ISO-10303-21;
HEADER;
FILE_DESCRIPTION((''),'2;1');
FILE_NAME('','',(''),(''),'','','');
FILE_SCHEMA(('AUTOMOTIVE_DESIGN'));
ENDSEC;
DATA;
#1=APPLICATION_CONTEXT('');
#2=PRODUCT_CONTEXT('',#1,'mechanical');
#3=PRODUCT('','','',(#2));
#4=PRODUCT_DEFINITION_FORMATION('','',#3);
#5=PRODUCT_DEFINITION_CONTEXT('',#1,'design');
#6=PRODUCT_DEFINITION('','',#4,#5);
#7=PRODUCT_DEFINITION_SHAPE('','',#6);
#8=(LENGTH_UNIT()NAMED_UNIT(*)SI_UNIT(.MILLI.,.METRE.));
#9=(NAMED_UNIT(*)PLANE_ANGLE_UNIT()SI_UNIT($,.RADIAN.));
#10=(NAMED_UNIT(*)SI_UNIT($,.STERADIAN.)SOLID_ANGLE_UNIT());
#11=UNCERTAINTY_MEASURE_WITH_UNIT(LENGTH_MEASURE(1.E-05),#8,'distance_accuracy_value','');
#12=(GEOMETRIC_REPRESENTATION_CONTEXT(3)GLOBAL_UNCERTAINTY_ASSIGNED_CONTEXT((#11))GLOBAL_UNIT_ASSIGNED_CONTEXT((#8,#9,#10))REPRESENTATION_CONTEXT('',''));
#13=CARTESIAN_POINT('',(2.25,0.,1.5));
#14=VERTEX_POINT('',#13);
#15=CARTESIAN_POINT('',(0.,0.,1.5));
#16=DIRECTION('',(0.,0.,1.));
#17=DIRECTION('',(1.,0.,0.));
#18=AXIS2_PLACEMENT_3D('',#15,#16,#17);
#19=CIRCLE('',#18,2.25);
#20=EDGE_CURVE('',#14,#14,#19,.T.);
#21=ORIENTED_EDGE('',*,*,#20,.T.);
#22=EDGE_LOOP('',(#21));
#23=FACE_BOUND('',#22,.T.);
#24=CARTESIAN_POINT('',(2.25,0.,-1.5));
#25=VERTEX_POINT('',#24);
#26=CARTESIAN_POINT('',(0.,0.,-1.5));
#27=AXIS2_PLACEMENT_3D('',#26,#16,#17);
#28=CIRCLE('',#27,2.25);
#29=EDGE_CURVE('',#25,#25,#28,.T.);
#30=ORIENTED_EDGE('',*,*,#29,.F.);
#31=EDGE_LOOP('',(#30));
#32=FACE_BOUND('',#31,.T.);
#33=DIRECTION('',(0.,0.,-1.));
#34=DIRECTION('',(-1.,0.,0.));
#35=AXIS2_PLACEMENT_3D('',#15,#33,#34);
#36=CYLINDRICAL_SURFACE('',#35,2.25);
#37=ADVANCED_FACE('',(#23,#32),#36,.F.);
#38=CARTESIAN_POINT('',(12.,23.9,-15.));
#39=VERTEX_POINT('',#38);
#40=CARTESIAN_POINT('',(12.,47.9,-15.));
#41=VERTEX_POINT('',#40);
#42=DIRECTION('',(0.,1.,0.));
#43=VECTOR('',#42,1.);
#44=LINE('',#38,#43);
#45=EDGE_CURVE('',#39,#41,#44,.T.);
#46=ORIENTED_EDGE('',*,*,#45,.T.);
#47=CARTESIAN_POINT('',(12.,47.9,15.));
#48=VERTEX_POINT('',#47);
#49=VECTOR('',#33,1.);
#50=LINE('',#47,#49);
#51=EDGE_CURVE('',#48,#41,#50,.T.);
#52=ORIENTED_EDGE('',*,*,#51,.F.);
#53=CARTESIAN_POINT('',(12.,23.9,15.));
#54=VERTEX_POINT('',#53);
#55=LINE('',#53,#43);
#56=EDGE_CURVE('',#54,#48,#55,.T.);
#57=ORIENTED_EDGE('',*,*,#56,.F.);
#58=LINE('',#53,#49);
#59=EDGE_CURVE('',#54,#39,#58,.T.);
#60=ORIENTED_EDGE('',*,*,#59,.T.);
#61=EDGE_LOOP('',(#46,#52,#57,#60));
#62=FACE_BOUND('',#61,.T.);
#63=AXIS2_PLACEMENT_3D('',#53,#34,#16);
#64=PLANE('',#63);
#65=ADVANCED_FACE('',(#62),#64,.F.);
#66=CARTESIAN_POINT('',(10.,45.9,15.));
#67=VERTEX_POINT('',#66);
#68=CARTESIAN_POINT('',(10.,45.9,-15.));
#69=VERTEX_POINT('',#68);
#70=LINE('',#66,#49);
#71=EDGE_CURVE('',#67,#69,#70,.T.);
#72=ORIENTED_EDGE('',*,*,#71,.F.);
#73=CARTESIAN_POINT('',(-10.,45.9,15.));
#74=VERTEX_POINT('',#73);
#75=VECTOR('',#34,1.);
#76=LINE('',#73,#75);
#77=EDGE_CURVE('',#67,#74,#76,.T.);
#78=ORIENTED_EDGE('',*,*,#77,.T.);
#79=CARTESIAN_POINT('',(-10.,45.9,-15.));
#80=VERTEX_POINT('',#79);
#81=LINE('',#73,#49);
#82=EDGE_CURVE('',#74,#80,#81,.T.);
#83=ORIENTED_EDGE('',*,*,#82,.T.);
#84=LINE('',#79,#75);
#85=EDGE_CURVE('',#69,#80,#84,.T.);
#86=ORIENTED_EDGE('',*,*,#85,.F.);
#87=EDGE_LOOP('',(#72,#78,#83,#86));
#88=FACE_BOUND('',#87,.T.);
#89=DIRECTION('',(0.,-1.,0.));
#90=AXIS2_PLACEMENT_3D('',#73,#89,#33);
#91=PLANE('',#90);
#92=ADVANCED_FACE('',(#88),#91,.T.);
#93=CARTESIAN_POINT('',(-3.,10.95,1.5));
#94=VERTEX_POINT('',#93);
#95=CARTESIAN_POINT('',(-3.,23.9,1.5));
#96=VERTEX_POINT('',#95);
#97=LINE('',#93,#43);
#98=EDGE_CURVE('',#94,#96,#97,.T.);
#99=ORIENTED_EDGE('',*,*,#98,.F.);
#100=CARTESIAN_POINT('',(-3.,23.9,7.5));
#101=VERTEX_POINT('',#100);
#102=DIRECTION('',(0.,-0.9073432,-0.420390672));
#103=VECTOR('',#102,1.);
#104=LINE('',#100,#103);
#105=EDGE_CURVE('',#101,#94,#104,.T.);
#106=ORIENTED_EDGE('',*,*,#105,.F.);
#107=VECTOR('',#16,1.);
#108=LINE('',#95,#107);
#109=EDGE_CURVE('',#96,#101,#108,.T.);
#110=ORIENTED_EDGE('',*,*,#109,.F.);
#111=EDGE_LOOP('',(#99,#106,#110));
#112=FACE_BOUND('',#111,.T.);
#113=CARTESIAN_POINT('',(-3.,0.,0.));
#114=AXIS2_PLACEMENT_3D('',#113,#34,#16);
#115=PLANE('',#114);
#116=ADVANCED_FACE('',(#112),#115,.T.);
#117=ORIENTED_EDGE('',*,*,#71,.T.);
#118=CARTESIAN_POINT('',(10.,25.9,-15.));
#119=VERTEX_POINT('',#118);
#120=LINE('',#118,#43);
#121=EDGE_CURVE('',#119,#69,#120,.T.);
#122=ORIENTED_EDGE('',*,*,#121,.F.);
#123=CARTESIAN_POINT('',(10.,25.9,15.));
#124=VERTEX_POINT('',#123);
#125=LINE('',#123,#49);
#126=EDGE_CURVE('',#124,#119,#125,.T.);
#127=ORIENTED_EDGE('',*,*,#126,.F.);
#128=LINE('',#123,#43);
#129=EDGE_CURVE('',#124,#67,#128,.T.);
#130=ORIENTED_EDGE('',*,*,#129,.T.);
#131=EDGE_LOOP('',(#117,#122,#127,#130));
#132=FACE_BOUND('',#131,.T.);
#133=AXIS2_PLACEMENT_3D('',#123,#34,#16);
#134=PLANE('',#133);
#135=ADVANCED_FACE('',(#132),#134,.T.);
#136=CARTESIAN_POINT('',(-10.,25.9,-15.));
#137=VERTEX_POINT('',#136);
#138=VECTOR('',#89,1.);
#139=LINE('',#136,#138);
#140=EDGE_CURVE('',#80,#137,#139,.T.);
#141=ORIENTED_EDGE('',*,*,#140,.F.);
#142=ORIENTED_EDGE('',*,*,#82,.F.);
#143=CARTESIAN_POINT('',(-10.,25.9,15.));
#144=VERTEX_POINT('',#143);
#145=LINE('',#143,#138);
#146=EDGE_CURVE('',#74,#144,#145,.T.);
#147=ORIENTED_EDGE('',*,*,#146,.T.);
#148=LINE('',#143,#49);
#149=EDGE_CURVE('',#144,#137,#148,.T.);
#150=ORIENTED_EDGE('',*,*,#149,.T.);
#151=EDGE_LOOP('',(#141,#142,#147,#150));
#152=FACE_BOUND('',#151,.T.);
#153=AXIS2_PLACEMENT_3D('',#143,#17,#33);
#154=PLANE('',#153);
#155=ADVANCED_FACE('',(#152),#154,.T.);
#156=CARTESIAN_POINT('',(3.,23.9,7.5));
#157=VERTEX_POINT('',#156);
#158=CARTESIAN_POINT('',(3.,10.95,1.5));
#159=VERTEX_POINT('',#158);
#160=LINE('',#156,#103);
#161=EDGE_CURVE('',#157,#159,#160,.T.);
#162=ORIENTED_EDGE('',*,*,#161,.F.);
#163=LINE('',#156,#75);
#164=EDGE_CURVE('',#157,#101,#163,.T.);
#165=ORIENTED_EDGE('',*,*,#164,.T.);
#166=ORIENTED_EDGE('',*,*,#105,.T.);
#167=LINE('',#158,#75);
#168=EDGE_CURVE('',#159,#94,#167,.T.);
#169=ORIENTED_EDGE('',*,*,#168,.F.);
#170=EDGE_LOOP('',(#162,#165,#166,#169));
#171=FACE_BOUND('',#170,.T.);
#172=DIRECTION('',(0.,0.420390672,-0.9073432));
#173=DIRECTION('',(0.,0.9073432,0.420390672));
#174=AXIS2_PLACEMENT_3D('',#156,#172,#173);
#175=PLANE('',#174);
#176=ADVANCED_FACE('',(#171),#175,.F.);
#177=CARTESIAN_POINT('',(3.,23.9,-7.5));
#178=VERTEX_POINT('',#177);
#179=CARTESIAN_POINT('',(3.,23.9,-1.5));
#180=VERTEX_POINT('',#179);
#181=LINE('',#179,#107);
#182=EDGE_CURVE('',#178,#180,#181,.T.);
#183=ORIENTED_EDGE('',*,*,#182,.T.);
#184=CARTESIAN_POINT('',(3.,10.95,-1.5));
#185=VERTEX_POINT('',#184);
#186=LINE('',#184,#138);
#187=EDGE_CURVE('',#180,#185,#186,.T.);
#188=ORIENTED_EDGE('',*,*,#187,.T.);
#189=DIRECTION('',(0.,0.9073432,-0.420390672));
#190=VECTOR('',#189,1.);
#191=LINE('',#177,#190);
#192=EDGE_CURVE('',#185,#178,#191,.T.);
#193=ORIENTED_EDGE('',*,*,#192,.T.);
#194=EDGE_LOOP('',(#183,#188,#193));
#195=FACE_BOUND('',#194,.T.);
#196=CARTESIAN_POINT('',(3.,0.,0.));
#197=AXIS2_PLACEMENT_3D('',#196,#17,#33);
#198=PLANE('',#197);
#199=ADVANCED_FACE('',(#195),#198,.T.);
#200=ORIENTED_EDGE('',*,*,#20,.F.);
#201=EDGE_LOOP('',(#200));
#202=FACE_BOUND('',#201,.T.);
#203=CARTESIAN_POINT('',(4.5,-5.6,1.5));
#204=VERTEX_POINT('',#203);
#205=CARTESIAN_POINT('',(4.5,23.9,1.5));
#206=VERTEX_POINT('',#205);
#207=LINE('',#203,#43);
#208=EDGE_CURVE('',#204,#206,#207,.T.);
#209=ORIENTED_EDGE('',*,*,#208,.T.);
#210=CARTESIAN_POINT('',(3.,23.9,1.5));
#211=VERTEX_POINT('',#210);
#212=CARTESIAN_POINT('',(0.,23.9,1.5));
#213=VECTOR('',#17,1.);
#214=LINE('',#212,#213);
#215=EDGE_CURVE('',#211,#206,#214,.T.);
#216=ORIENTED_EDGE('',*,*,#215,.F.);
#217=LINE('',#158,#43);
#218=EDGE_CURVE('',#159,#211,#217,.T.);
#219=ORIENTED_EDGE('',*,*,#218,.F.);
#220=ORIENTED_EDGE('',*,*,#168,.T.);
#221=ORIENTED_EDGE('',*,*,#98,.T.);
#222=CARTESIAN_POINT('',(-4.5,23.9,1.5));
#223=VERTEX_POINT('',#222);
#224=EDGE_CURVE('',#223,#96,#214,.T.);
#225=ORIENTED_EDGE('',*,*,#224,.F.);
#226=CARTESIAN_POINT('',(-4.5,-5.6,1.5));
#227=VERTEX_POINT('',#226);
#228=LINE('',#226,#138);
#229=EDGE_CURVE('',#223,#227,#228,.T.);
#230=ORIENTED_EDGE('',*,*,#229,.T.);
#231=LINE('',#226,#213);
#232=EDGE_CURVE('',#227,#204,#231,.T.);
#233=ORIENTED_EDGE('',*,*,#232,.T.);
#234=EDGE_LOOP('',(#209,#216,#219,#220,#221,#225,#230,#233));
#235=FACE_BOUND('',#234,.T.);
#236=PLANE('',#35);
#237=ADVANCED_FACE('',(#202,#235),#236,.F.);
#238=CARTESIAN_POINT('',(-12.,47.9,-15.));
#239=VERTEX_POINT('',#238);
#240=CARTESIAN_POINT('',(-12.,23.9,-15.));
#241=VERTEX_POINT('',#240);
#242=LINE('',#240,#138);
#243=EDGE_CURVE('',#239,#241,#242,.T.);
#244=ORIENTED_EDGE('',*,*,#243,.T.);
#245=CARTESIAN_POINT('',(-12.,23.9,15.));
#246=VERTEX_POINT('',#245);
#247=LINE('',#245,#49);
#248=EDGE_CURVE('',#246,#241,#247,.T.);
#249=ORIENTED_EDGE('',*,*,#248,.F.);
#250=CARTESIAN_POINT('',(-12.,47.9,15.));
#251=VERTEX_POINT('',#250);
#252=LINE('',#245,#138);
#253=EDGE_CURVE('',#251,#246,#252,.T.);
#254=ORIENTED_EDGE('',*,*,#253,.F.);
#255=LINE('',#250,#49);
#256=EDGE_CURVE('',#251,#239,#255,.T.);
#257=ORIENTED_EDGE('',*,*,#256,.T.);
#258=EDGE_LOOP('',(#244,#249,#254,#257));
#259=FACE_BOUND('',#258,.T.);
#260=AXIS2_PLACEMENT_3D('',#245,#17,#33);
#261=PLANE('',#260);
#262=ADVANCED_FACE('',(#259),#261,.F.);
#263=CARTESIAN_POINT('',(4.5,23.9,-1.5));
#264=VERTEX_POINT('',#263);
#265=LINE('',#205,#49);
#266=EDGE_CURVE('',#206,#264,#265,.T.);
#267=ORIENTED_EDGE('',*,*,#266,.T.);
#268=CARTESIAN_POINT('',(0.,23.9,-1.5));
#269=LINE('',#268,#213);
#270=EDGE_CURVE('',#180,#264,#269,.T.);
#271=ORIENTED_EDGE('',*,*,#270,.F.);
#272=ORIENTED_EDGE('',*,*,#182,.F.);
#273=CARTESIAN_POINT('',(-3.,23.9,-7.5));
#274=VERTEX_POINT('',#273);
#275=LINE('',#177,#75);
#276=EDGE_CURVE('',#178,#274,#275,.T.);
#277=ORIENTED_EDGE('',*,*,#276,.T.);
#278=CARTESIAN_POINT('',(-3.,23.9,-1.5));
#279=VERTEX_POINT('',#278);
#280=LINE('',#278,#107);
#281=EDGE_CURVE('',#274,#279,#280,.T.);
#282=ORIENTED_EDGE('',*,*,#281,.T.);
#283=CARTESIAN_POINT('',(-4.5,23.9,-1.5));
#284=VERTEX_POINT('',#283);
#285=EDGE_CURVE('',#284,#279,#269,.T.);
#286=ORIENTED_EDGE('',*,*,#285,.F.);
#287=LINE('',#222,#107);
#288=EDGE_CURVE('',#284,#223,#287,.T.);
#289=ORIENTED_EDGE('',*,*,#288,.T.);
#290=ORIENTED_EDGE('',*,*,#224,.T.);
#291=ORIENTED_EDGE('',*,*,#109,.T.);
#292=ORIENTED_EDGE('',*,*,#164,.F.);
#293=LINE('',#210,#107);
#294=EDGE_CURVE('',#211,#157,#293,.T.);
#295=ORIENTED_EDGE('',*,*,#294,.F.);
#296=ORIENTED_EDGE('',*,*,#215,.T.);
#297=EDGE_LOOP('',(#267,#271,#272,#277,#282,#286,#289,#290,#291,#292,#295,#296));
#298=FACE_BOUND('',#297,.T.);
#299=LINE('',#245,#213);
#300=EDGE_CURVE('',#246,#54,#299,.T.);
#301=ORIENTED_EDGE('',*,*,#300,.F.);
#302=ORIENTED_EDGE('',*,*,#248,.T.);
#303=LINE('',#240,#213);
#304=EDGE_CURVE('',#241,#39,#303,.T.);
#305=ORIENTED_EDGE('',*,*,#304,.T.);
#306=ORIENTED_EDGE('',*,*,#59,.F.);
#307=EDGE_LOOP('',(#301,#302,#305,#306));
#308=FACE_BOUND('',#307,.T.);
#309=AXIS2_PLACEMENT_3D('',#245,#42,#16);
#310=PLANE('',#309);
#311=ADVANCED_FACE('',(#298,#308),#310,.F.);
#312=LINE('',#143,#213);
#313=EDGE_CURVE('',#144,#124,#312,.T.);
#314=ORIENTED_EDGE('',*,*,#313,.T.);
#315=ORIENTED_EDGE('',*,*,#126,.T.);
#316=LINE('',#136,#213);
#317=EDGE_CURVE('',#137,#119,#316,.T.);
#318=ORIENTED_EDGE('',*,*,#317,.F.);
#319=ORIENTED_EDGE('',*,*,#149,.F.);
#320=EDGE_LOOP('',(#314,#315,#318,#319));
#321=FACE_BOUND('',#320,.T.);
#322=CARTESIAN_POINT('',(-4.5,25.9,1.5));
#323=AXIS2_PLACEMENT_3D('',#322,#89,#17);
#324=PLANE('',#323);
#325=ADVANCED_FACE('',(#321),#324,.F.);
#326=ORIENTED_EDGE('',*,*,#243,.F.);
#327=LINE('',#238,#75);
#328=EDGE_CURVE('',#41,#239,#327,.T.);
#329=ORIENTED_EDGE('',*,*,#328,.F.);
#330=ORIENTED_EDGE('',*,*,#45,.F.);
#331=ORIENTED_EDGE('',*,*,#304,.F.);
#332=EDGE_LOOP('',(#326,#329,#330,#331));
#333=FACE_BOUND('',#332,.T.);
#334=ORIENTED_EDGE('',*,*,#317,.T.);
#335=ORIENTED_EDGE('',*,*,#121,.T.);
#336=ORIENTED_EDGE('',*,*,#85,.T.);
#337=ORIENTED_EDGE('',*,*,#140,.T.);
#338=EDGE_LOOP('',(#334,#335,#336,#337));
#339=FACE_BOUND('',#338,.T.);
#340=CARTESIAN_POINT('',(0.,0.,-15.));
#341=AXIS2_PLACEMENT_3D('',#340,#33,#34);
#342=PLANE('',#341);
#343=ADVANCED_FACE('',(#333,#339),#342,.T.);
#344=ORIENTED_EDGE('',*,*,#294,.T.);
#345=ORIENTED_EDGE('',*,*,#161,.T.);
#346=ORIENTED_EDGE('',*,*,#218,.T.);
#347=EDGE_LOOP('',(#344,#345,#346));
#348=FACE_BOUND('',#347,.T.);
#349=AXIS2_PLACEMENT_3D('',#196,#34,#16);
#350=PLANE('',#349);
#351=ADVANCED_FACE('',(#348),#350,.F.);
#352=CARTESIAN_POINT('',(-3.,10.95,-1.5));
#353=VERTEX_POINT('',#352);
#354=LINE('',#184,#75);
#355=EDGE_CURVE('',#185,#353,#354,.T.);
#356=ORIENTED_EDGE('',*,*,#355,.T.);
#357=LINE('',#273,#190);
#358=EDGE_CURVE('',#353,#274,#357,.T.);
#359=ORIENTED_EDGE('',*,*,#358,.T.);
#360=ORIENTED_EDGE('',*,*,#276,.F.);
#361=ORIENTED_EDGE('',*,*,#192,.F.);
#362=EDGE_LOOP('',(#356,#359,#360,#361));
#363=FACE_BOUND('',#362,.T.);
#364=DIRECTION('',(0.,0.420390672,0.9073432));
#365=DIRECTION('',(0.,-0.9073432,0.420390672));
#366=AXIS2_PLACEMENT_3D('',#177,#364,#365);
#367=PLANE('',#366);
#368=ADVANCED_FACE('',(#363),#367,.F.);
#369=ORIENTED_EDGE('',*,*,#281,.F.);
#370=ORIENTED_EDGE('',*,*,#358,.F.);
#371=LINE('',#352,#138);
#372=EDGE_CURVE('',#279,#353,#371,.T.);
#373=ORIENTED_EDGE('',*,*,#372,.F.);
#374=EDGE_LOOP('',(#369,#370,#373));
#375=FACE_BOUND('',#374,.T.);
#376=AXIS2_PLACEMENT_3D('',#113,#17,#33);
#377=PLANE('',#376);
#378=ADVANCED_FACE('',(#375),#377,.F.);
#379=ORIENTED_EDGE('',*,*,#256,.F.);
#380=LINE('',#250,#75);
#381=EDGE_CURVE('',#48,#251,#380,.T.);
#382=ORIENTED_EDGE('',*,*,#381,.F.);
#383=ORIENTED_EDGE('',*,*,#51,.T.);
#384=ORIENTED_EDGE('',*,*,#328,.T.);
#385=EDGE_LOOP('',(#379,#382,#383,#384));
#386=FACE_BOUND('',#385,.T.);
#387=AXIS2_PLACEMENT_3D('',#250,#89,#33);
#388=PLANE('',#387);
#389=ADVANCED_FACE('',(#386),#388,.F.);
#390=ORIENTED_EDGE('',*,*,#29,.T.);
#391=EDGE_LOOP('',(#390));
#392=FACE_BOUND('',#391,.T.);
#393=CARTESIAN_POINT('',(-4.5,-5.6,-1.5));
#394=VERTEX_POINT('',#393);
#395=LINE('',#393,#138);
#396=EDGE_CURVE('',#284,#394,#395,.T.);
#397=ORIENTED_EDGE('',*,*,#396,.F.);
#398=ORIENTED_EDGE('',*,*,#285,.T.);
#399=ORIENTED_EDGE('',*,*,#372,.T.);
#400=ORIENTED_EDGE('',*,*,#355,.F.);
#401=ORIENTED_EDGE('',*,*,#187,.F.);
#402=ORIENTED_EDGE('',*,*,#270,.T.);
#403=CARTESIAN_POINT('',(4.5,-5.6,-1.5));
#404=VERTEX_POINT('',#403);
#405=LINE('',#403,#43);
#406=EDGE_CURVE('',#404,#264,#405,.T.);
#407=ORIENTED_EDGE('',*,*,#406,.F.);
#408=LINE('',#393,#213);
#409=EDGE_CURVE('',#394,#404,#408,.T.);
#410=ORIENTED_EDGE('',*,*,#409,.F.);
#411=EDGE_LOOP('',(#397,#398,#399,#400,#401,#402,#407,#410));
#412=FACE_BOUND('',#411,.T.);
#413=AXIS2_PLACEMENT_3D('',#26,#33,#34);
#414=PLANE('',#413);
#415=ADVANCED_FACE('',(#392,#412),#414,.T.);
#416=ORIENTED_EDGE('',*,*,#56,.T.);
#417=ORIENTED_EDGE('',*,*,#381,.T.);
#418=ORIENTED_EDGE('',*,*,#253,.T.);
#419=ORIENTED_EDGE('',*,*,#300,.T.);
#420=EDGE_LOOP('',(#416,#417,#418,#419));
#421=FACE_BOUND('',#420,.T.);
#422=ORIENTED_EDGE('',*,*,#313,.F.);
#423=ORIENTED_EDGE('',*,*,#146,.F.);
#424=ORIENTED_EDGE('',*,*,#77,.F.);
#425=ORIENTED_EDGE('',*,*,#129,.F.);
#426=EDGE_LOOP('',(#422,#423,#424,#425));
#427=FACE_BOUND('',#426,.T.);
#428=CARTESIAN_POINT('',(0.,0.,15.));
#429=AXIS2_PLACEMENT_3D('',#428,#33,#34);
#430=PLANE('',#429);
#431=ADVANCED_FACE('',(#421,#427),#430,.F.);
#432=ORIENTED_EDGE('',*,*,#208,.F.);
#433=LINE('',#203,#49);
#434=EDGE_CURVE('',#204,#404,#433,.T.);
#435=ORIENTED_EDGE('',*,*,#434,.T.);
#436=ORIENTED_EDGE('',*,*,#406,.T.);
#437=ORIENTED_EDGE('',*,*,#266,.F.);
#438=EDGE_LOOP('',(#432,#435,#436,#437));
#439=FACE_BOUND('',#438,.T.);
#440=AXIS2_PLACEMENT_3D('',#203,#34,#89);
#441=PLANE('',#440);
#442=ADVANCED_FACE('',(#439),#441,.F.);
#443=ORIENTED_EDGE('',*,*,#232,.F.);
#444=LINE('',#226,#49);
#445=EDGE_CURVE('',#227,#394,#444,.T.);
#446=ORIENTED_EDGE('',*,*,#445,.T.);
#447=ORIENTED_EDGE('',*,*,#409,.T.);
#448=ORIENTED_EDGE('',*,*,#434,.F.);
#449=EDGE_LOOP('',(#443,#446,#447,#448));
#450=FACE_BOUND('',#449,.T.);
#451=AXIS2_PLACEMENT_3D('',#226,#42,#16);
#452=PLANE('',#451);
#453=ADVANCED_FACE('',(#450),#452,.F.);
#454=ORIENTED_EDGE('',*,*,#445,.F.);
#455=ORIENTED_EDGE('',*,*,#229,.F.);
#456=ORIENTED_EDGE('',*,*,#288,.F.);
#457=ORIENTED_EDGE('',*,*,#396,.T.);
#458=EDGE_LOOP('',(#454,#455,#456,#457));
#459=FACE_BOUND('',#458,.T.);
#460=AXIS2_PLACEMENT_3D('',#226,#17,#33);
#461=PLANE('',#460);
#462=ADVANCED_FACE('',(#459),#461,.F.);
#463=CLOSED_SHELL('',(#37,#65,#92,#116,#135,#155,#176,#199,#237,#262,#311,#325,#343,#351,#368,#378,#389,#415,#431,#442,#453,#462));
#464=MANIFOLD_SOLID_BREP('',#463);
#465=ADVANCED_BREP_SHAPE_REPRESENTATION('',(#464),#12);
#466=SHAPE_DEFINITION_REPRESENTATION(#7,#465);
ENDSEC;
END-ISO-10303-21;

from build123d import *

# Parameters (mm, degrees)
CROQUIS1_W               = 9
CROQUIS1_H               = 31.5
CROQUIS1_R               = 2.25
SALIENTE_EXTRUIR1_DEPTH  = 1.5
CROQUIS11_W              = 24
CROQUIS11_H              = 24
CROQUIS11_W_2            = 20
CROQUIS11_H_2            = 20
SALIENTE_EXTRUIR8_DEPTH  = 15
SALIENTE_EXTRUIR11_DEPTH = 3


with BuildPart() as part:
    # Croquis1 → Saliente-Extruir1 (new, symmetric)
    with BuildSketch(Plane.XY):
        with Locations((0, 10.15)):
            Rectangle(CROQUIS1_W, CROQUIS1_H)
        Circle(CROQUIS1_R, mode=Mode.SUBTRACT)
    extrude(amount=SALIENTE_EXTRUIR1_DEPTH, both=True)

    # Croquis11 → Saliente-Extruir8 (add, symmetric)
    with BuildSketch(Plane.XY):
        with Locations((0, 35.9)):
            Rectangle(CROQUIS11_W, CROQUIS11_H)
        with Locations((0, 35.9)):
            Rectangle(CROQUIS11_W_2, CROQUIS11_H_2, mode=Mode.SUBTRACT)
    extrude(amount=SALIENTE_EXTRUIR8_DEPTH, both=True)

    # Croquis13 → Saliente-Extruir11 (add, symmetric)
    with BuildSketch(Plane(origin=(0, 0, 0), x_dir=(0, 0, -1), z_dir=(1, 0, 0))):
        Polygon((1.5, 10.95), (1.5, 23.9), (7.5, 23.9), align=None)
        Polygon((-7.5, 23.9), (-1.5, 10.95), (-1.5, 23.9), align=None)
    extrude(amount=SALIENTE_EXTRUIR11_DEPTH, both=True)


solid = part.part
